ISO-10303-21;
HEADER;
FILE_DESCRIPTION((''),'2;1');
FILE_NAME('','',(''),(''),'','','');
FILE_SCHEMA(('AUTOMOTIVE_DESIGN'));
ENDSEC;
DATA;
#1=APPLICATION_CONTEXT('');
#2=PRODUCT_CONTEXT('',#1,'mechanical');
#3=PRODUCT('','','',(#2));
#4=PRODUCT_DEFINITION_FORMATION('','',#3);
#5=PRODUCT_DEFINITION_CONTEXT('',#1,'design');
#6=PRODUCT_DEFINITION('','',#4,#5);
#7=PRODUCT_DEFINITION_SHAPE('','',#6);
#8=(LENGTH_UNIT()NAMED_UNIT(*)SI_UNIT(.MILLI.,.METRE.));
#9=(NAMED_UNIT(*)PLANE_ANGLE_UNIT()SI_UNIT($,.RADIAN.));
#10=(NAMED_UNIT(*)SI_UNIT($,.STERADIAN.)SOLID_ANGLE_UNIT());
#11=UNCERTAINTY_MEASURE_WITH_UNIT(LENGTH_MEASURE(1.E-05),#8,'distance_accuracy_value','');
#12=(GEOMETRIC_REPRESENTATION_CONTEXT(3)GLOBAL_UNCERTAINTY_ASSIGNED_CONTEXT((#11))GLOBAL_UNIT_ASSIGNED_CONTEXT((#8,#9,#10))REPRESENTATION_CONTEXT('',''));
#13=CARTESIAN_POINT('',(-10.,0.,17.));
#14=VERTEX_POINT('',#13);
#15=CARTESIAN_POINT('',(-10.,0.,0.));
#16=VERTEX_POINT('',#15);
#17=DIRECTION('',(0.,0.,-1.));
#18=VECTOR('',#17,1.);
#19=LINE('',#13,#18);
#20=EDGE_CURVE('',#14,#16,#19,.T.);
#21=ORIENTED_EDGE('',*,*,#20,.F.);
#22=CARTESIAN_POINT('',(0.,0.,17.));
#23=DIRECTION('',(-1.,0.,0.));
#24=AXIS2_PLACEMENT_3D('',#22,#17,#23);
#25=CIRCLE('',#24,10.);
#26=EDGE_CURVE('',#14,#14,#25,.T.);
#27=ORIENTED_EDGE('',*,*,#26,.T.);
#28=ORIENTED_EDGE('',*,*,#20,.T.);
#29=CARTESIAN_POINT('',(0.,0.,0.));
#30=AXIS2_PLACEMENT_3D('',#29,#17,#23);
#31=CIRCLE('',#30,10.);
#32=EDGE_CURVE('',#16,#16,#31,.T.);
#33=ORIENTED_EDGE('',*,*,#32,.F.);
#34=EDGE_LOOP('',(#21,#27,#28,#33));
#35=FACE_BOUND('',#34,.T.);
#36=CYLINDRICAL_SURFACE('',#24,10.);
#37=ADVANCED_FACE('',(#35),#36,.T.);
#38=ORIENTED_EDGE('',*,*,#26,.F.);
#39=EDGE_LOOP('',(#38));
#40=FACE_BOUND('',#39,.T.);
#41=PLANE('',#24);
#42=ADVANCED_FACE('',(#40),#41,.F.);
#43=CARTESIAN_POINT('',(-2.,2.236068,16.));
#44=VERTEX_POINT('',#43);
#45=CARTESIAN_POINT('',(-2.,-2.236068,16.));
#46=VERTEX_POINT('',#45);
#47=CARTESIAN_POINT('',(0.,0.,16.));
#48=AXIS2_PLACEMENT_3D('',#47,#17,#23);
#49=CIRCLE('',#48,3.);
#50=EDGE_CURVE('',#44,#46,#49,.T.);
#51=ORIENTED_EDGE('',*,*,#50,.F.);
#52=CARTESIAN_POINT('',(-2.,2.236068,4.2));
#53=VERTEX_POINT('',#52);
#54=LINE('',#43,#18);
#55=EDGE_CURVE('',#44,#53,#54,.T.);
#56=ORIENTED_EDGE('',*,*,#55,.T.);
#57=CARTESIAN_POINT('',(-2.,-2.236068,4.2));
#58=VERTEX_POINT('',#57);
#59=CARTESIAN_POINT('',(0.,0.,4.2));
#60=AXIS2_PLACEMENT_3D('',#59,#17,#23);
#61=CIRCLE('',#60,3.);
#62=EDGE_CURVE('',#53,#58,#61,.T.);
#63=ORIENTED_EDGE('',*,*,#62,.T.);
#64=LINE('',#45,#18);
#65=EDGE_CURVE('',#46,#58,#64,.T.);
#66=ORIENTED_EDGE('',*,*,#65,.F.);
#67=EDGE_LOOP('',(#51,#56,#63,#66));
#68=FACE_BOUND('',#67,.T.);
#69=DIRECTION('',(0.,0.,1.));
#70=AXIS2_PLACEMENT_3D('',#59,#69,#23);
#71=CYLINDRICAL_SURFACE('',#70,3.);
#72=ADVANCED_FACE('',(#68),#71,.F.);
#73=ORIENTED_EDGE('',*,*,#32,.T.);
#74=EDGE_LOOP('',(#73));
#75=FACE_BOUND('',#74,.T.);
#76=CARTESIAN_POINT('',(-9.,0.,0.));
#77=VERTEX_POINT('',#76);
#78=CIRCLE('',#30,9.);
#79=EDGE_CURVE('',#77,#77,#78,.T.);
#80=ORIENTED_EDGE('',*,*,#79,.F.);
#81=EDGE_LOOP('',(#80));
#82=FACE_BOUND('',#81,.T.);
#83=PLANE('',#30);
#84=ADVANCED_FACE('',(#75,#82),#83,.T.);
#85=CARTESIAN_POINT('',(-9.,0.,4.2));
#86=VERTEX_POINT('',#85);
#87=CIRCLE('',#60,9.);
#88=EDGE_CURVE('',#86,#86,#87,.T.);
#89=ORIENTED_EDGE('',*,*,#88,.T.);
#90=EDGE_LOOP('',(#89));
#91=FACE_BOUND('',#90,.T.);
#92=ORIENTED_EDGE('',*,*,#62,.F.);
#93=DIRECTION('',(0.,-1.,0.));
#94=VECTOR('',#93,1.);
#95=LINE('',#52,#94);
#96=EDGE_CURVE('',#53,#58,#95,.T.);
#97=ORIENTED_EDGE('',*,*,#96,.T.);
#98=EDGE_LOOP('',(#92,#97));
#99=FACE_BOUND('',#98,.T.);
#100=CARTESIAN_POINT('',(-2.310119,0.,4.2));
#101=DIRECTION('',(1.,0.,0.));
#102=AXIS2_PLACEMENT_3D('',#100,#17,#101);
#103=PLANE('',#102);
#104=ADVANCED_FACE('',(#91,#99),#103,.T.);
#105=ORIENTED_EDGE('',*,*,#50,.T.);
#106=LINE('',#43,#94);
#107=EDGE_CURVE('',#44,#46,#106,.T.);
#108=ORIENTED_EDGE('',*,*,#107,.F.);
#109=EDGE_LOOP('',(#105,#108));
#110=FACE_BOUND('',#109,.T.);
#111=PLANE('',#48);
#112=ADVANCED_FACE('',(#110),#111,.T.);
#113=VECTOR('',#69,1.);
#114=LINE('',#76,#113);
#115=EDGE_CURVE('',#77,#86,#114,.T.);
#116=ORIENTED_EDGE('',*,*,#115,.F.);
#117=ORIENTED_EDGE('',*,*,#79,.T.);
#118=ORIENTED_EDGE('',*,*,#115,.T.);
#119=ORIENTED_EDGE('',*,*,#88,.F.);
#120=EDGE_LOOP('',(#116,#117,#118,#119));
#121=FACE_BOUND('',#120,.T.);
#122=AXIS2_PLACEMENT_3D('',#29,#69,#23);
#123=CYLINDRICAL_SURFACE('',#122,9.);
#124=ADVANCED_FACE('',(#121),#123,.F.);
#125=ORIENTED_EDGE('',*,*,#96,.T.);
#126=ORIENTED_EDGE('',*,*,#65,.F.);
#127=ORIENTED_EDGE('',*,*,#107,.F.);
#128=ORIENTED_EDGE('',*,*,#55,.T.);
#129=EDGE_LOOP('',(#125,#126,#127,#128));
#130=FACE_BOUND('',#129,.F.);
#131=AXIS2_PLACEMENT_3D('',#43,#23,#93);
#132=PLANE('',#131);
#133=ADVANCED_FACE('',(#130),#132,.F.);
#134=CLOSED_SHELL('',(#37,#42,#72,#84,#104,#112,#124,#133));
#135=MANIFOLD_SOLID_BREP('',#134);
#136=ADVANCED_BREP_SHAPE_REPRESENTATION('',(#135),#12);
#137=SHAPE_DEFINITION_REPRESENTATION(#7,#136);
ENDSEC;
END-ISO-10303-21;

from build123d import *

# Parameters (mm, degrees)
F3_DEPTH = 11.8


with BuildPart() as f1:
    # F0 (on Front) → F1 (revolve)
    with BuildSketch(Plane.XZ):
        Polygon((0, 16), (0, 17), (-10, 17), (-10, 0), (-9, 0), (-9, 4.2), (-3, 4.2), (-3, 16), align=None)
    revolve(axis=Axis((0, 0, 11.945563), (0, 0, -1)))

    # F2 (on face) → F3 (join, through all)
    with BuildSketch(Plane(origin=(0, 0, 16), x_dir=(1, 0, 0), z_dir=(0, 0, -1))):
        with BuildLine():
            Line((-2, -2.236068), (-2, 2.236068))
            ThreePointArc((-2, 2.236068), (-3, 0), (-2, -2.236068))
        make_face()
    extrude(amount=F3_DEPTH)


solid = f1.part
